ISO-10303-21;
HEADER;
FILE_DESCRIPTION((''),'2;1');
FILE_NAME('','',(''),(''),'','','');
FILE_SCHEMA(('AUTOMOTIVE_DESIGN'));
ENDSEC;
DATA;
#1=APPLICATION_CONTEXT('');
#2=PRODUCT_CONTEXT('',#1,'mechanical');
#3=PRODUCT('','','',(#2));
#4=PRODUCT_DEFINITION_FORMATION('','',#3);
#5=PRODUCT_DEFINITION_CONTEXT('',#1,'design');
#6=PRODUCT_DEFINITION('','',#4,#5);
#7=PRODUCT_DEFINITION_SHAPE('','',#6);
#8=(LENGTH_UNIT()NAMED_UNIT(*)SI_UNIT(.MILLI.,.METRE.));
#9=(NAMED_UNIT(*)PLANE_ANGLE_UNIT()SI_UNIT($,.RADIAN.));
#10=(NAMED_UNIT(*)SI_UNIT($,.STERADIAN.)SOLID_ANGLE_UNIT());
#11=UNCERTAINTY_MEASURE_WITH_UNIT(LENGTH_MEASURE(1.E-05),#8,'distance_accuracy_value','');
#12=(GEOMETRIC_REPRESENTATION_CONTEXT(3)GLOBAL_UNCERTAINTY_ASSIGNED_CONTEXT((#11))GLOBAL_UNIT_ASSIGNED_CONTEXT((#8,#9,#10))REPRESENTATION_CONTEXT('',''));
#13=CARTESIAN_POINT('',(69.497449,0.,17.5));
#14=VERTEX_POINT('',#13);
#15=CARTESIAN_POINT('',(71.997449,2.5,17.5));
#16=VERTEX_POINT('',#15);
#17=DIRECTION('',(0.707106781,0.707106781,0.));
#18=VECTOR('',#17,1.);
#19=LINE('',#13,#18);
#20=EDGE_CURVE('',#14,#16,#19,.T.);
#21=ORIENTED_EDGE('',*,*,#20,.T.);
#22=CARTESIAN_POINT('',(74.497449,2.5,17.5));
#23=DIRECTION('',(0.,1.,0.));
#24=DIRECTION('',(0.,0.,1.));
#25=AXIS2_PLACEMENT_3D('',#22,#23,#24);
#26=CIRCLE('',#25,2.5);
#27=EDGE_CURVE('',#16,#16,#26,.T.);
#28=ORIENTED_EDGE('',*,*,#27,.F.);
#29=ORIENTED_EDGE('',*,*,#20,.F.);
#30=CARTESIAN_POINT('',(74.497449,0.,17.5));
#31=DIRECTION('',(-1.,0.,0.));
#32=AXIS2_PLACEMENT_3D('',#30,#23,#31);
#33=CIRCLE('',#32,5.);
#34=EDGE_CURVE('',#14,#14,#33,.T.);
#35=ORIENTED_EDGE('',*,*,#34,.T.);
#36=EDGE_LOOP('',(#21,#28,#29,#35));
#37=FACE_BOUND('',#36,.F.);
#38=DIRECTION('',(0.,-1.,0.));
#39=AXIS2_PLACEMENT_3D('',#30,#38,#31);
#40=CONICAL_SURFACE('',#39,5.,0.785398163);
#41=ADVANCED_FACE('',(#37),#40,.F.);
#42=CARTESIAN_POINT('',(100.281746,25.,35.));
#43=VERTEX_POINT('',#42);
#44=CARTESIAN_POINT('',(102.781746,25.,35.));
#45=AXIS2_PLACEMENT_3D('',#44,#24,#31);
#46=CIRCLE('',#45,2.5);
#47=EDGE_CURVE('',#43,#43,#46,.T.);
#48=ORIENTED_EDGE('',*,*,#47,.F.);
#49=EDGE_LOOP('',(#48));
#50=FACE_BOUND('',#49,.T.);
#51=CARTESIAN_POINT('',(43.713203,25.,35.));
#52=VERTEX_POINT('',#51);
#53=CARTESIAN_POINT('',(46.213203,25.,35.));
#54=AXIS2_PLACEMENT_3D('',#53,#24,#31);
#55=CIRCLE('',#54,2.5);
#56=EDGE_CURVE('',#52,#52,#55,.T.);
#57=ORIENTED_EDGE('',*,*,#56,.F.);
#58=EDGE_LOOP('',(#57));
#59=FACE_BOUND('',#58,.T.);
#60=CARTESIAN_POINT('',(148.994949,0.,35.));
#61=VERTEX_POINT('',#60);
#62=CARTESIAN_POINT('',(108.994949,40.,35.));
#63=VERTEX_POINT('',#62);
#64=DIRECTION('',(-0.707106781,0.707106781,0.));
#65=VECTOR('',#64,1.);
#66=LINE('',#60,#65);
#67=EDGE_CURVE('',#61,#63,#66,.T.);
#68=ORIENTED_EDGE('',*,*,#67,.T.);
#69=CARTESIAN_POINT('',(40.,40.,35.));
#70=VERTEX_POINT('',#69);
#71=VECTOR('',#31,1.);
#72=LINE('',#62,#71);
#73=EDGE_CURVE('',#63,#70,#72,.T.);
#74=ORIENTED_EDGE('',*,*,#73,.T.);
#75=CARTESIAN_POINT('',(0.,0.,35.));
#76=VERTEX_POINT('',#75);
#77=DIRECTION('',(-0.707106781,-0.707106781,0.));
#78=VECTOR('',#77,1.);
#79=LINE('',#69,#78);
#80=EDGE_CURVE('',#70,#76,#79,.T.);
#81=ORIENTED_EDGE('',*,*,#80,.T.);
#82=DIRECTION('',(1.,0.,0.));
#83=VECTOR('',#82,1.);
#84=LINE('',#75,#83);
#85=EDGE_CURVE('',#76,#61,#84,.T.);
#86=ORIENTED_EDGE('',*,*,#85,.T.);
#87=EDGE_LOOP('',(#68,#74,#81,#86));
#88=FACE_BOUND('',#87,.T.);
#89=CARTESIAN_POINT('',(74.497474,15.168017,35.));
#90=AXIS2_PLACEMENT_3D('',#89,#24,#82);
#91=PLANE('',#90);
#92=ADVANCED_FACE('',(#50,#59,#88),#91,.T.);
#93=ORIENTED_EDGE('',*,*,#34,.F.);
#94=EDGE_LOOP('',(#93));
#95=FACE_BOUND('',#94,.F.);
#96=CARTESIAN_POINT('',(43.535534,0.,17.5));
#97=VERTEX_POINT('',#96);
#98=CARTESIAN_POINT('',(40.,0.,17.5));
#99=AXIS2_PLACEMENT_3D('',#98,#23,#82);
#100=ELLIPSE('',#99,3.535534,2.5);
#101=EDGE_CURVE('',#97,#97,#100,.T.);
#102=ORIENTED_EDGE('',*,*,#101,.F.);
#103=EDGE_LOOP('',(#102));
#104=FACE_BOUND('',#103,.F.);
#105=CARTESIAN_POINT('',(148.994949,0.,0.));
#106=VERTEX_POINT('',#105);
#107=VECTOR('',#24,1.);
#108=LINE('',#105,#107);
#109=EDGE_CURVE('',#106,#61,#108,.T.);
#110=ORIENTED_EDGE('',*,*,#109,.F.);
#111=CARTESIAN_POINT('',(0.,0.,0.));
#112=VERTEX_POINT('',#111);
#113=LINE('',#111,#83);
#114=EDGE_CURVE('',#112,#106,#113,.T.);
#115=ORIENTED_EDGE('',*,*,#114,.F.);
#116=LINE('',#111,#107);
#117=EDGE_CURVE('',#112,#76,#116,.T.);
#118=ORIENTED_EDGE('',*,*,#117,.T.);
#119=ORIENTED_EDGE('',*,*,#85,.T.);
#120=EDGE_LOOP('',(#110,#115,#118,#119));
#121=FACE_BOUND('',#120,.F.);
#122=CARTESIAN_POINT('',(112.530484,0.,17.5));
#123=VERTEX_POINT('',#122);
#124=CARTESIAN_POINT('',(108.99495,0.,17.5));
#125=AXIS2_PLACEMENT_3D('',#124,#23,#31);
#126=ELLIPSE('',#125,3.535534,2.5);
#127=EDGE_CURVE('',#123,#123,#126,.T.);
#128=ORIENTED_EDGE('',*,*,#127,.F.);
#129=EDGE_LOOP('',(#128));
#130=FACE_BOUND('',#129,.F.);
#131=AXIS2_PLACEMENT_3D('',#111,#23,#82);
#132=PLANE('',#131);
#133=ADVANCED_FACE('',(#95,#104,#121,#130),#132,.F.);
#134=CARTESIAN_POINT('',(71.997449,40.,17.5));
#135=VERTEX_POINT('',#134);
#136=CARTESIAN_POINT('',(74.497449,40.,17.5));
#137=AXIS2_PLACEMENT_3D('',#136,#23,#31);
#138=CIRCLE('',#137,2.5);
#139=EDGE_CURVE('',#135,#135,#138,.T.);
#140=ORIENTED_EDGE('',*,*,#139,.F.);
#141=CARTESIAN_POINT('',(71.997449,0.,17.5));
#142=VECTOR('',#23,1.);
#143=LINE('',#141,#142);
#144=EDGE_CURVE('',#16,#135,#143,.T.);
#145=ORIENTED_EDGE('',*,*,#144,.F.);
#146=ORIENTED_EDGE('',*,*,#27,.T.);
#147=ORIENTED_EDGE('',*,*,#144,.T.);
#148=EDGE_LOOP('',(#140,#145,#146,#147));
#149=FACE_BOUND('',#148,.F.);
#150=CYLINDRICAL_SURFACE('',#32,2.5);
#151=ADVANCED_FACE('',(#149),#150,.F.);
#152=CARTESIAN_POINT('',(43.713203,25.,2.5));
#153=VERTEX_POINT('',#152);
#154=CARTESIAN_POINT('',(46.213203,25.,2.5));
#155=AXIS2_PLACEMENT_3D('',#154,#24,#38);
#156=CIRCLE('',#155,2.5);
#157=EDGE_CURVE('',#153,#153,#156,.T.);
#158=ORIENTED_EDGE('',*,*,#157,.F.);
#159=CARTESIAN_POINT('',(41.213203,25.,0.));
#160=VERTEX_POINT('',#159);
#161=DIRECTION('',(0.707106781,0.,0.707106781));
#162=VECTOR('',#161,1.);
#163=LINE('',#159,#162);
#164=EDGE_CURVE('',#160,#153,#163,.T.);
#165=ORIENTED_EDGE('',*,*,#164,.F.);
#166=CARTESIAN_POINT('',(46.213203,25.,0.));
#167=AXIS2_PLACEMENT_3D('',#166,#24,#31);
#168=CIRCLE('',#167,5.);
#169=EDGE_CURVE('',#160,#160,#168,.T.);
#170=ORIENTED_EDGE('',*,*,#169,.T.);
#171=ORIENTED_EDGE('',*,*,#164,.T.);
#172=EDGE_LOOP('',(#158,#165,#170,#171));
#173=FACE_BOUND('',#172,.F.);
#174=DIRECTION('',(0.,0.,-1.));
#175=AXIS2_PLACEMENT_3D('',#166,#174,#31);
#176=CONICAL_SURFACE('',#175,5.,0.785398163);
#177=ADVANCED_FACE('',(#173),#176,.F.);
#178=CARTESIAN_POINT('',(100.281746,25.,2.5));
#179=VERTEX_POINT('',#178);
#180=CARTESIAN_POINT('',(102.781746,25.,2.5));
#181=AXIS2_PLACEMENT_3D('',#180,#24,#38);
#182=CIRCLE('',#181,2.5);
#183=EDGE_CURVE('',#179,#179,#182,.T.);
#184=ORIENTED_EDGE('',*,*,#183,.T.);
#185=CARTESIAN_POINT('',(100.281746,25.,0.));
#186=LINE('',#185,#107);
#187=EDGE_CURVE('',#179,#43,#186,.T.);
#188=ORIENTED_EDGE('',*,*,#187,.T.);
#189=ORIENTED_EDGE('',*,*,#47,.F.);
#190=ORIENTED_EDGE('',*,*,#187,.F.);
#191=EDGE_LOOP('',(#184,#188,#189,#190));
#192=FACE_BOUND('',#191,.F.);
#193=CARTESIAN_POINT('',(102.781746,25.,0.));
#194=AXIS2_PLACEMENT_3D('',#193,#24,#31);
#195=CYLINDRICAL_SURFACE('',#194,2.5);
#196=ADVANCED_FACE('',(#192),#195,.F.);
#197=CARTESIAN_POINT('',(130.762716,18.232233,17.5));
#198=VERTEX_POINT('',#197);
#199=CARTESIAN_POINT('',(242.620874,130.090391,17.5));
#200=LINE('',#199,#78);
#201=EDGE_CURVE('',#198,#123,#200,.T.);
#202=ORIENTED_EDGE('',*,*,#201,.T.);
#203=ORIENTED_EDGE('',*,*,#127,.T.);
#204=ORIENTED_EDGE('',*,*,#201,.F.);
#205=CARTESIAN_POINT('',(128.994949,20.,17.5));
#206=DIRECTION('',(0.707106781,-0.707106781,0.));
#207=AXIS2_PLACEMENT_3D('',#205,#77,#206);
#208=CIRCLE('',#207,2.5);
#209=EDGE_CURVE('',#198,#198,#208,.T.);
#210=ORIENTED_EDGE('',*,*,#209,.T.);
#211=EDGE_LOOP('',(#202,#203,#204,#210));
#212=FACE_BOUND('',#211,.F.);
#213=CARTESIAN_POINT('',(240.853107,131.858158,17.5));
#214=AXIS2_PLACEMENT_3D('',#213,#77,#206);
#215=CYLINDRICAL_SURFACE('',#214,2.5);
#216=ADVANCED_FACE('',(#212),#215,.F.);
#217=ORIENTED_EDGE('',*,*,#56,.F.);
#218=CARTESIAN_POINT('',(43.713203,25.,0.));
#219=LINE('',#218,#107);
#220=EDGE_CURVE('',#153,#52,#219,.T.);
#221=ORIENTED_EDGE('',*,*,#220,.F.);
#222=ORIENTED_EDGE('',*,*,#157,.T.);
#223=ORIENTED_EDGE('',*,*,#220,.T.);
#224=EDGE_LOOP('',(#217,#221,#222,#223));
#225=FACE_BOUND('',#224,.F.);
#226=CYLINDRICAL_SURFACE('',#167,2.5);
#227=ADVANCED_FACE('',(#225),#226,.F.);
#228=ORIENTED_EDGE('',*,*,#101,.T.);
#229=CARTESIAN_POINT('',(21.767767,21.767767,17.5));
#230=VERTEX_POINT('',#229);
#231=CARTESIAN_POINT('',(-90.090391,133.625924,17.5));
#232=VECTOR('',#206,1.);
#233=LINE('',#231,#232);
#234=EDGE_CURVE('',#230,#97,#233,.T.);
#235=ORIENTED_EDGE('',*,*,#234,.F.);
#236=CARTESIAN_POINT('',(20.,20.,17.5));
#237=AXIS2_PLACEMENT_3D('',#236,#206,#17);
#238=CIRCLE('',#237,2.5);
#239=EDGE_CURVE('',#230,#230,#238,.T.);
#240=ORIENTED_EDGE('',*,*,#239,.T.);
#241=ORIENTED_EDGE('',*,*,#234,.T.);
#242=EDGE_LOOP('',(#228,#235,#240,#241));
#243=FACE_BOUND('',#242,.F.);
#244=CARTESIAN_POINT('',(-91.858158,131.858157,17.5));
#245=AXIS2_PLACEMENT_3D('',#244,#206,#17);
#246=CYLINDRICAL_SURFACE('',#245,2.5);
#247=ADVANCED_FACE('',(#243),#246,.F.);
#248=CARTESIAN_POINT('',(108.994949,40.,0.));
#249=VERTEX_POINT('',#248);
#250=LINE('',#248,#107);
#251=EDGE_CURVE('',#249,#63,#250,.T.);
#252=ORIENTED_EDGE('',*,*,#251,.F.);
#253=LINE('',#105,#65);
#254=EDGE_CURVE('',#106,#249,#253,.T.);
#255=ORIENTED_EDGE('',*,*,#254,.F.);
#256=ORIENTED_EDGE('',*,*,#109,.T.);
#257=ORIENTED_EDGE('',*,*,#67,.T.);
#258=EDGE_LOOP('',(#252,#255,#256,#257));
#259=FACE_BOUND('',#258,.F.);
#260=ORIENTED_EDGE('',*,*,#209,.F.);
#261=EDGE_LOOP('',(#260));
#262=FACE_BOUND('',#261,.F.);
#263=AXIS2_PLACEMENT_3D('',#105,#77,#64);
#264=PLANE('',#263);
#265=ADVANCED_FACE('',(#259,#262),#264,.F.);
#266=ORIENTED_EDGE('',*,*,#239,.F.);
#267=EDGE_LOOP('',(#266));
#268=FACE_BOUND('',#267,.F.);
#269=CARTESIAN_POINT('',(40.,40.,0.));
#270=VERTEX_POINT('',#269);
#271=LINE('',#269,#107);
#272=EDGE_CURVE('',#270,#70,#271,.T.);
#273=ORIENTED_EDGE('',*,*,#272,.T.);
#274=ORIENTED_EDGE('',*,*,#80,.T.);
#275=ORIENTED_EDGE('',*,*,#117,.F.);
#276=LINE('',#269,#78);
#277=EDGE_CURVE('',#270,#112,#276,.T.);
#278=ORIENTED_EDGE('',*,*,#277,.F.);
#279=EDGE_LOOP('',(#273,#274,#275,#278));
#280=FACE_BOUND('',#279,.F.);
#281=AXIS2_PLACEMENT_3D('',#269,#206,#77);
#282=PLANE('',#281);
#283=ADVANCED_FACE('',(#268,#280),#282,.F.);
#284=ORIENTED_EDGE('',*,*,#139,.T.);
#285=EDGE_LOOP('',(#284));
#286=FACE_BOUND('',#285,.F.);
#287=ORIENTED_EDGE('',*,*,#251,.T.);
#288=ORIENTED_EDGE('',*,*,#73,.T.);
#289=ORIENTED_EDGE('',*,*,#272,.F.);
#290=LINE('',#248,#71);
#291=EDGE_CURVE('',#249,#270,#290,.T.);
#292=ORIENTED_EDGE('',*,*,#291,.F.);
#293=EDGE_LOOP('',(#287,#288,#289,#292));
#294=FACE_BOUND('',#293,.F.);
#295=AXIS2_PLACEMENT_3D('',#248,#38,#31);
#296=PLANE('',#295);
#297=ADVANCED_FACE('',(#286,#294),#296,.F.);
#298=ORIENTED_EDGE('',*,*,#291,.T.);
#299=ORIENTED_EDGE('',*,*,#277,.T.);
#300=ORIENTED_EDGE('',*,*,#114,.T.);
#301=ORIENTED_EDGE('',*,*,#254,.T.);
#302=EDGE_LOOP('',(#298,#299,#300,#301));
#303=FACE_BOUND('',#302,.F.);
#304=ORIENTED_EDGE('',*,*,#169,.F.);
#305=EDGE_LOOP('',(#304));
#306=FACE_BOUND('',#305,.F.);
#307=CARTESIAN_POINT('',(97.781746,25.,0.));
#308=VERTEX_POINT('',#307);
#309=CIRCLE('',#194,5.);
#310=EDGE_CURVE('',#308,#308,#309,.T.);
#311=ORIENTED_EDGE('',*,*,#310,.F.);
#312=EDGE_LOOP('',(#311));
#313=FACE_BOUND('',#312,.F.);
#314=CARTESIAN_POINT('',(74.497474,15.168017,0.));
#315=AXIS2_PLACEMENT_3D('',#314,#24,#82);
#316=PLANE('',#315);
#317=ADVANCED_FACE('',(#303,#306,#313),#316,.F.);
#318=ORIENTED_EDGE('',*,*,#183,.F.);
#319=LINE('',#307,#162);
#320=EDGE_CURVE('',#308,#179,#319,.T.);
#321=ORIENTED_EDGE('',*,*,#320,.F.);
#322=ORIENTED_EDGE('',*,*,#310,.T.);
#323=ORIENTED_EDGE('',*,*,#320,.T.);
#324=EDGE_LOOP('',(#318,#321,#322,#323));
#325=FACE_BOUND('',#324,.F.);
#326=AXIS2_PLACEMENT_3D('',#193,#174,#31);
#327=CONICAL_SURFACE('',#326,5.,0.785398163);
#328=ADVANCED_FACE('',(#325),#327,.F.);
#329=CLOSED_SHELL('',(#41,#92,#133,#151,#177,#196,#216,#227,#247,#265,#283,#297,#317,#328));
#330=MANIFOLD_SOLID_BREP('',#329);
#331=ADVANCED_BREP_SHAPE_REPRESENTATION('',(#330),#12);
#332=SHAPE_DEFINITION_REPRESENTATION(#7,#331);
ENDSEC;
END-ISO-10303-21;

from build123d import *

# Parameters (mm, degrees)
F1_DEPTH       = 35
F3_D           = 5
F3_CSINK_D     = 10
F3_CSINK_ANGLE = 90
F6_D           = 5
F7_D           = 5
F9_D           = 5
F9_CSINK_D     = 10
F9_CSINK_ANGLE = 90


with BuildPart() as f1:
    # F0 (on Top) → F1 (new body)
    with BuildSketch(Plane.XY):
        Polygon((40, 40), (0, 0), (148.994949, 0), (108.994949, 40), align=None)
    extrude(amount=F1_DEPTH)

    # F3 (through all)
    with Locations(Plane.XZ):
        with Locations((74.497449, 17.5)):
            CounterSinkHole(F3_D / 2, F3_CSINK_D / 2, counter_sink_angle=F3_CSINK_ANGLE)

    # F6 (through all)
    with Locations(Plane(origin=(0, 0, 0), x_dir=(-0.707107, -0.707107, 0), z_dir=(-0.707107, 0.707107, 0))):
        with Locations((-28.284271, 17.5)):
            Hole(F6_D / 2)

    # F7 (through all)
    with Locations(Plane(origin=(74.497475, 74.497475, 0), x_dir=(-0.707107, 0.707107, 0), z_dir=(0.707107, 0.707107, 0))):
        with Locations((-77.071068, 17.5)):
            Hole(F7_D / 2)

    # F9 (through all)
    with Locations(Plane(origin=(0, 0, 0), x_dir=(1, 0, 0), z_dir=(0, 0, -1))):
        with Locations((102.781746, -25), (46.213203, -25)):
            CounterSinkHole(F9_D / 2, F9_CSINK_D / 2, counter_sink_angle=F9_CSINK_ANGLE)


solid = f1.part
